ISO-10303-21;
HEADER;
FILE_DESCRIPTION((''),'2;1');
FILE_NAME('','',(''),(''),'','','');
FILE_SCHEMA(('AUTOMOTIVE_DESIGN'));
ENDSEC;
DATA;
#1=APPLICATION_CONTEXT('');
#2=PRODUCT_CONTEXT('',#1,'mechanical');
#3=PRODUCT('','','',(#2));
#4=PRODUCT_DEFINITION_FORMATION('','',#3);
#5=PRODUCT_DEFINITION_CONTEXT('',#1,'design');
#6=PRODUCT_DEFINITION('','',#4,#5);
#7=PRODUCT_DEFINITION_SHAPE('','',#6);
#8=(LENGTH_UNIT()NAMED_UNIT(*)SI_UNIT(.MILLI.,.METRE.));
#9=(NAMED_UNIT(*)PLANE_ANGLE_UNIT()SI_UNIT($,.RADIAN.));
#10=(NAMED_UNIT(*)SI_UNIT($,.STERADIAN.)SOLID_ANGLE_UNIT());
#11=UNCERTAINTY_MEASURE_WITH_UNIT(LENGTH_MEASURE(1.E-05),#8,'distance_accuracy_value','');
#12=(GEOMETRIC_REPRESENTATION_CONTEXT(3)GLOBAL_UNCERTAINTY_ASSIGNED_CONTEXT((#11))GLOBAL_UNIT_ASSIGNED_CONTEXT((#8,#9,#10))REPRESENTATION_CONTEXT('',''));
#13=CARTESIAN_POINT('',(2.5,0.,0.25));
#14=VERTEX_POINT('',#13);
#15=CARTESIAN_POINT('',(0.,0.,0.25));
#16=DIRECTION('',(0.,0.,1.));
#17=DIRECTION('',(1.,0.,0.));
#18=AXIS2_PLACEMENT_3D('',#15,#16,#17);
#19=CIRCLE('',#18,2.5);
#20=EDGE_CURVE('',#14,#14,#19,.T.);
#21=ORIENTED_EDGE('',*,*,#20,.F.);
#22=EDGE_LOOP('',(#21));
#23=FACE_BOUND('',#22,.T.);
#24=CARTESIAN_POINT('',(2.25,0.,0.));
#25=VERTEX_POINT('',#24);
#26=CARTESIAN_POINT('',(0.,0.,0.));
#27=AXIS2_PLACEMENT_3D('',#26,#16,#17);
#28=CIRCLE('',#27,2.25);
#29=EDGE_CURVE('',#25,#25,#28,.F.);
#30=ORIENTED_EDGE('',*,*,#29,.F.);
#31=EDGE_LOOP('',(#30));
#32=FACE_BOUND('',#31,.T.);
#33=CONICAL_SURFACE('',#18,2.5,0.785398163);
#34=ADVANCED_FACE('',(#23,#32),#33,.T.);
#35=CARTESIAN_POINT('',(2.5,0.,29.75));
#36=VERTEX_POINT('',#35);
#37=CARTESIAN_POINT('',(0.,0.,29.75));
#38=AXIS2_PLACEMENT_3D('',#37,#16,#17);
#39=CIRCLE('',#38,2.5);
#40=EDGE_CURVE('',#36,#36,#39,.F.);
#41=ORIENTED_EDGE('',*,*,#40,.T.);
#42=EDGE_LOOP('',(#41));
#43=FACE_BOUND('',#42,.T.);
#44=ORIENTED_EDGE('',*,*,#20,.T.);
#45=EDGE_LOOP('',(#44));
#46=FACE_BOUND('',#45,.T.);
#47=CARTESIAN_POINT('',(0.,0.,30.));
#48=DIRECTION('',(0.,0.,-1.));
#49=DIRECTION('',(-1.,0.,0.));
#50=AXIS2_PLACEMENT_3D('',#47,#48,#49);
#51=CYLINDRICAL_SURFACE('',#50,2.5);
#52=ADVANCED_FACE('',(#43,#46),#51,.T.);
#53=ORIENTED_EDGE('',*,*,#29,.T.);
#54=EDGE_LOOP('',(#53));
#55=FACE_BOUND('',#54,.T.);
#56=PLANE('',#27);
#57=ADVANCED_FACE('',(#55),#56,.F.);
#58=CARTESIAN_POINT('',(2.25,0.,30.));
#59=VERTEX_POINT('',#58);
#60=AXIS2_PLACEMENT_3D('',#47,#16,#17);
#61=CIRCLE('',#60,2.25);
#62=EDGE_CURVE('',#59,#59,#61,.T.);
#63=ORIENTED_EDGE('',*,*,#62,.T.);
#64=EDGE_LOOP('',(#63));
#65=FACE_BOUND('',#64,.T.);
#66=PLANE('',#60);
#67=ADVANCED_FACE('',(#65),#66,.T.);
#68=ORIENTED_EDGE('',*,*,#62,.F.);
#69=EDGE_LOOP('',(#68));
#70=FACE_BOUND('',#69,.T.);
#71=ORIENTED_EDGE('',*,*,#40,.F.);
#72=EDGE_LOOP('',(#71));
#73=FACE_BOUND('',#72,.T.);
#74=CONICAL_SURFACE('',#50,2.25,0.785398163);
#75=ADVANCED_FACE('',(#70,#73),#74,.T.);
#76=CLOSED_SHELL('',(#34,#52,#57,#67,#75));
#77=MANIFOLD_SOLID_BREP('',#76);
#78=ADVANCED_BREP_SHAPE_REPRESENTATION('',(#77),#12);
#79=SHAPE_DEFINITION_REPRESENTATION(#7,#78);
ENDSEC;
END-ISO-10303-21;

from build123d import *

# Parameters (mm, degrees)
SKETCH1_R           = 2.5
BOSS_EXTRUDE1_DEPTH = 30
CHAMFER1_SIZE       = 0.25


with BuildPart() as part:
    # Sketch1 → Boss-Extrude1 (new body)
    with BuildSketch(Plane.XY):
        Circle(SKETCH1_R)
    extrude(amount=BOSS_EXTRUDE1_DEPTH)

    # Chamfer1
    chamfer1_edges = [part.edges().sort_by_distance(p)[0] for p in [
        (-2.5, 0, 0),
        (-2.5, 0, 30),
    ]]
    chamfer(chamfer1_edges, length=CHAMFER1_SIZE)


solid = part.part
